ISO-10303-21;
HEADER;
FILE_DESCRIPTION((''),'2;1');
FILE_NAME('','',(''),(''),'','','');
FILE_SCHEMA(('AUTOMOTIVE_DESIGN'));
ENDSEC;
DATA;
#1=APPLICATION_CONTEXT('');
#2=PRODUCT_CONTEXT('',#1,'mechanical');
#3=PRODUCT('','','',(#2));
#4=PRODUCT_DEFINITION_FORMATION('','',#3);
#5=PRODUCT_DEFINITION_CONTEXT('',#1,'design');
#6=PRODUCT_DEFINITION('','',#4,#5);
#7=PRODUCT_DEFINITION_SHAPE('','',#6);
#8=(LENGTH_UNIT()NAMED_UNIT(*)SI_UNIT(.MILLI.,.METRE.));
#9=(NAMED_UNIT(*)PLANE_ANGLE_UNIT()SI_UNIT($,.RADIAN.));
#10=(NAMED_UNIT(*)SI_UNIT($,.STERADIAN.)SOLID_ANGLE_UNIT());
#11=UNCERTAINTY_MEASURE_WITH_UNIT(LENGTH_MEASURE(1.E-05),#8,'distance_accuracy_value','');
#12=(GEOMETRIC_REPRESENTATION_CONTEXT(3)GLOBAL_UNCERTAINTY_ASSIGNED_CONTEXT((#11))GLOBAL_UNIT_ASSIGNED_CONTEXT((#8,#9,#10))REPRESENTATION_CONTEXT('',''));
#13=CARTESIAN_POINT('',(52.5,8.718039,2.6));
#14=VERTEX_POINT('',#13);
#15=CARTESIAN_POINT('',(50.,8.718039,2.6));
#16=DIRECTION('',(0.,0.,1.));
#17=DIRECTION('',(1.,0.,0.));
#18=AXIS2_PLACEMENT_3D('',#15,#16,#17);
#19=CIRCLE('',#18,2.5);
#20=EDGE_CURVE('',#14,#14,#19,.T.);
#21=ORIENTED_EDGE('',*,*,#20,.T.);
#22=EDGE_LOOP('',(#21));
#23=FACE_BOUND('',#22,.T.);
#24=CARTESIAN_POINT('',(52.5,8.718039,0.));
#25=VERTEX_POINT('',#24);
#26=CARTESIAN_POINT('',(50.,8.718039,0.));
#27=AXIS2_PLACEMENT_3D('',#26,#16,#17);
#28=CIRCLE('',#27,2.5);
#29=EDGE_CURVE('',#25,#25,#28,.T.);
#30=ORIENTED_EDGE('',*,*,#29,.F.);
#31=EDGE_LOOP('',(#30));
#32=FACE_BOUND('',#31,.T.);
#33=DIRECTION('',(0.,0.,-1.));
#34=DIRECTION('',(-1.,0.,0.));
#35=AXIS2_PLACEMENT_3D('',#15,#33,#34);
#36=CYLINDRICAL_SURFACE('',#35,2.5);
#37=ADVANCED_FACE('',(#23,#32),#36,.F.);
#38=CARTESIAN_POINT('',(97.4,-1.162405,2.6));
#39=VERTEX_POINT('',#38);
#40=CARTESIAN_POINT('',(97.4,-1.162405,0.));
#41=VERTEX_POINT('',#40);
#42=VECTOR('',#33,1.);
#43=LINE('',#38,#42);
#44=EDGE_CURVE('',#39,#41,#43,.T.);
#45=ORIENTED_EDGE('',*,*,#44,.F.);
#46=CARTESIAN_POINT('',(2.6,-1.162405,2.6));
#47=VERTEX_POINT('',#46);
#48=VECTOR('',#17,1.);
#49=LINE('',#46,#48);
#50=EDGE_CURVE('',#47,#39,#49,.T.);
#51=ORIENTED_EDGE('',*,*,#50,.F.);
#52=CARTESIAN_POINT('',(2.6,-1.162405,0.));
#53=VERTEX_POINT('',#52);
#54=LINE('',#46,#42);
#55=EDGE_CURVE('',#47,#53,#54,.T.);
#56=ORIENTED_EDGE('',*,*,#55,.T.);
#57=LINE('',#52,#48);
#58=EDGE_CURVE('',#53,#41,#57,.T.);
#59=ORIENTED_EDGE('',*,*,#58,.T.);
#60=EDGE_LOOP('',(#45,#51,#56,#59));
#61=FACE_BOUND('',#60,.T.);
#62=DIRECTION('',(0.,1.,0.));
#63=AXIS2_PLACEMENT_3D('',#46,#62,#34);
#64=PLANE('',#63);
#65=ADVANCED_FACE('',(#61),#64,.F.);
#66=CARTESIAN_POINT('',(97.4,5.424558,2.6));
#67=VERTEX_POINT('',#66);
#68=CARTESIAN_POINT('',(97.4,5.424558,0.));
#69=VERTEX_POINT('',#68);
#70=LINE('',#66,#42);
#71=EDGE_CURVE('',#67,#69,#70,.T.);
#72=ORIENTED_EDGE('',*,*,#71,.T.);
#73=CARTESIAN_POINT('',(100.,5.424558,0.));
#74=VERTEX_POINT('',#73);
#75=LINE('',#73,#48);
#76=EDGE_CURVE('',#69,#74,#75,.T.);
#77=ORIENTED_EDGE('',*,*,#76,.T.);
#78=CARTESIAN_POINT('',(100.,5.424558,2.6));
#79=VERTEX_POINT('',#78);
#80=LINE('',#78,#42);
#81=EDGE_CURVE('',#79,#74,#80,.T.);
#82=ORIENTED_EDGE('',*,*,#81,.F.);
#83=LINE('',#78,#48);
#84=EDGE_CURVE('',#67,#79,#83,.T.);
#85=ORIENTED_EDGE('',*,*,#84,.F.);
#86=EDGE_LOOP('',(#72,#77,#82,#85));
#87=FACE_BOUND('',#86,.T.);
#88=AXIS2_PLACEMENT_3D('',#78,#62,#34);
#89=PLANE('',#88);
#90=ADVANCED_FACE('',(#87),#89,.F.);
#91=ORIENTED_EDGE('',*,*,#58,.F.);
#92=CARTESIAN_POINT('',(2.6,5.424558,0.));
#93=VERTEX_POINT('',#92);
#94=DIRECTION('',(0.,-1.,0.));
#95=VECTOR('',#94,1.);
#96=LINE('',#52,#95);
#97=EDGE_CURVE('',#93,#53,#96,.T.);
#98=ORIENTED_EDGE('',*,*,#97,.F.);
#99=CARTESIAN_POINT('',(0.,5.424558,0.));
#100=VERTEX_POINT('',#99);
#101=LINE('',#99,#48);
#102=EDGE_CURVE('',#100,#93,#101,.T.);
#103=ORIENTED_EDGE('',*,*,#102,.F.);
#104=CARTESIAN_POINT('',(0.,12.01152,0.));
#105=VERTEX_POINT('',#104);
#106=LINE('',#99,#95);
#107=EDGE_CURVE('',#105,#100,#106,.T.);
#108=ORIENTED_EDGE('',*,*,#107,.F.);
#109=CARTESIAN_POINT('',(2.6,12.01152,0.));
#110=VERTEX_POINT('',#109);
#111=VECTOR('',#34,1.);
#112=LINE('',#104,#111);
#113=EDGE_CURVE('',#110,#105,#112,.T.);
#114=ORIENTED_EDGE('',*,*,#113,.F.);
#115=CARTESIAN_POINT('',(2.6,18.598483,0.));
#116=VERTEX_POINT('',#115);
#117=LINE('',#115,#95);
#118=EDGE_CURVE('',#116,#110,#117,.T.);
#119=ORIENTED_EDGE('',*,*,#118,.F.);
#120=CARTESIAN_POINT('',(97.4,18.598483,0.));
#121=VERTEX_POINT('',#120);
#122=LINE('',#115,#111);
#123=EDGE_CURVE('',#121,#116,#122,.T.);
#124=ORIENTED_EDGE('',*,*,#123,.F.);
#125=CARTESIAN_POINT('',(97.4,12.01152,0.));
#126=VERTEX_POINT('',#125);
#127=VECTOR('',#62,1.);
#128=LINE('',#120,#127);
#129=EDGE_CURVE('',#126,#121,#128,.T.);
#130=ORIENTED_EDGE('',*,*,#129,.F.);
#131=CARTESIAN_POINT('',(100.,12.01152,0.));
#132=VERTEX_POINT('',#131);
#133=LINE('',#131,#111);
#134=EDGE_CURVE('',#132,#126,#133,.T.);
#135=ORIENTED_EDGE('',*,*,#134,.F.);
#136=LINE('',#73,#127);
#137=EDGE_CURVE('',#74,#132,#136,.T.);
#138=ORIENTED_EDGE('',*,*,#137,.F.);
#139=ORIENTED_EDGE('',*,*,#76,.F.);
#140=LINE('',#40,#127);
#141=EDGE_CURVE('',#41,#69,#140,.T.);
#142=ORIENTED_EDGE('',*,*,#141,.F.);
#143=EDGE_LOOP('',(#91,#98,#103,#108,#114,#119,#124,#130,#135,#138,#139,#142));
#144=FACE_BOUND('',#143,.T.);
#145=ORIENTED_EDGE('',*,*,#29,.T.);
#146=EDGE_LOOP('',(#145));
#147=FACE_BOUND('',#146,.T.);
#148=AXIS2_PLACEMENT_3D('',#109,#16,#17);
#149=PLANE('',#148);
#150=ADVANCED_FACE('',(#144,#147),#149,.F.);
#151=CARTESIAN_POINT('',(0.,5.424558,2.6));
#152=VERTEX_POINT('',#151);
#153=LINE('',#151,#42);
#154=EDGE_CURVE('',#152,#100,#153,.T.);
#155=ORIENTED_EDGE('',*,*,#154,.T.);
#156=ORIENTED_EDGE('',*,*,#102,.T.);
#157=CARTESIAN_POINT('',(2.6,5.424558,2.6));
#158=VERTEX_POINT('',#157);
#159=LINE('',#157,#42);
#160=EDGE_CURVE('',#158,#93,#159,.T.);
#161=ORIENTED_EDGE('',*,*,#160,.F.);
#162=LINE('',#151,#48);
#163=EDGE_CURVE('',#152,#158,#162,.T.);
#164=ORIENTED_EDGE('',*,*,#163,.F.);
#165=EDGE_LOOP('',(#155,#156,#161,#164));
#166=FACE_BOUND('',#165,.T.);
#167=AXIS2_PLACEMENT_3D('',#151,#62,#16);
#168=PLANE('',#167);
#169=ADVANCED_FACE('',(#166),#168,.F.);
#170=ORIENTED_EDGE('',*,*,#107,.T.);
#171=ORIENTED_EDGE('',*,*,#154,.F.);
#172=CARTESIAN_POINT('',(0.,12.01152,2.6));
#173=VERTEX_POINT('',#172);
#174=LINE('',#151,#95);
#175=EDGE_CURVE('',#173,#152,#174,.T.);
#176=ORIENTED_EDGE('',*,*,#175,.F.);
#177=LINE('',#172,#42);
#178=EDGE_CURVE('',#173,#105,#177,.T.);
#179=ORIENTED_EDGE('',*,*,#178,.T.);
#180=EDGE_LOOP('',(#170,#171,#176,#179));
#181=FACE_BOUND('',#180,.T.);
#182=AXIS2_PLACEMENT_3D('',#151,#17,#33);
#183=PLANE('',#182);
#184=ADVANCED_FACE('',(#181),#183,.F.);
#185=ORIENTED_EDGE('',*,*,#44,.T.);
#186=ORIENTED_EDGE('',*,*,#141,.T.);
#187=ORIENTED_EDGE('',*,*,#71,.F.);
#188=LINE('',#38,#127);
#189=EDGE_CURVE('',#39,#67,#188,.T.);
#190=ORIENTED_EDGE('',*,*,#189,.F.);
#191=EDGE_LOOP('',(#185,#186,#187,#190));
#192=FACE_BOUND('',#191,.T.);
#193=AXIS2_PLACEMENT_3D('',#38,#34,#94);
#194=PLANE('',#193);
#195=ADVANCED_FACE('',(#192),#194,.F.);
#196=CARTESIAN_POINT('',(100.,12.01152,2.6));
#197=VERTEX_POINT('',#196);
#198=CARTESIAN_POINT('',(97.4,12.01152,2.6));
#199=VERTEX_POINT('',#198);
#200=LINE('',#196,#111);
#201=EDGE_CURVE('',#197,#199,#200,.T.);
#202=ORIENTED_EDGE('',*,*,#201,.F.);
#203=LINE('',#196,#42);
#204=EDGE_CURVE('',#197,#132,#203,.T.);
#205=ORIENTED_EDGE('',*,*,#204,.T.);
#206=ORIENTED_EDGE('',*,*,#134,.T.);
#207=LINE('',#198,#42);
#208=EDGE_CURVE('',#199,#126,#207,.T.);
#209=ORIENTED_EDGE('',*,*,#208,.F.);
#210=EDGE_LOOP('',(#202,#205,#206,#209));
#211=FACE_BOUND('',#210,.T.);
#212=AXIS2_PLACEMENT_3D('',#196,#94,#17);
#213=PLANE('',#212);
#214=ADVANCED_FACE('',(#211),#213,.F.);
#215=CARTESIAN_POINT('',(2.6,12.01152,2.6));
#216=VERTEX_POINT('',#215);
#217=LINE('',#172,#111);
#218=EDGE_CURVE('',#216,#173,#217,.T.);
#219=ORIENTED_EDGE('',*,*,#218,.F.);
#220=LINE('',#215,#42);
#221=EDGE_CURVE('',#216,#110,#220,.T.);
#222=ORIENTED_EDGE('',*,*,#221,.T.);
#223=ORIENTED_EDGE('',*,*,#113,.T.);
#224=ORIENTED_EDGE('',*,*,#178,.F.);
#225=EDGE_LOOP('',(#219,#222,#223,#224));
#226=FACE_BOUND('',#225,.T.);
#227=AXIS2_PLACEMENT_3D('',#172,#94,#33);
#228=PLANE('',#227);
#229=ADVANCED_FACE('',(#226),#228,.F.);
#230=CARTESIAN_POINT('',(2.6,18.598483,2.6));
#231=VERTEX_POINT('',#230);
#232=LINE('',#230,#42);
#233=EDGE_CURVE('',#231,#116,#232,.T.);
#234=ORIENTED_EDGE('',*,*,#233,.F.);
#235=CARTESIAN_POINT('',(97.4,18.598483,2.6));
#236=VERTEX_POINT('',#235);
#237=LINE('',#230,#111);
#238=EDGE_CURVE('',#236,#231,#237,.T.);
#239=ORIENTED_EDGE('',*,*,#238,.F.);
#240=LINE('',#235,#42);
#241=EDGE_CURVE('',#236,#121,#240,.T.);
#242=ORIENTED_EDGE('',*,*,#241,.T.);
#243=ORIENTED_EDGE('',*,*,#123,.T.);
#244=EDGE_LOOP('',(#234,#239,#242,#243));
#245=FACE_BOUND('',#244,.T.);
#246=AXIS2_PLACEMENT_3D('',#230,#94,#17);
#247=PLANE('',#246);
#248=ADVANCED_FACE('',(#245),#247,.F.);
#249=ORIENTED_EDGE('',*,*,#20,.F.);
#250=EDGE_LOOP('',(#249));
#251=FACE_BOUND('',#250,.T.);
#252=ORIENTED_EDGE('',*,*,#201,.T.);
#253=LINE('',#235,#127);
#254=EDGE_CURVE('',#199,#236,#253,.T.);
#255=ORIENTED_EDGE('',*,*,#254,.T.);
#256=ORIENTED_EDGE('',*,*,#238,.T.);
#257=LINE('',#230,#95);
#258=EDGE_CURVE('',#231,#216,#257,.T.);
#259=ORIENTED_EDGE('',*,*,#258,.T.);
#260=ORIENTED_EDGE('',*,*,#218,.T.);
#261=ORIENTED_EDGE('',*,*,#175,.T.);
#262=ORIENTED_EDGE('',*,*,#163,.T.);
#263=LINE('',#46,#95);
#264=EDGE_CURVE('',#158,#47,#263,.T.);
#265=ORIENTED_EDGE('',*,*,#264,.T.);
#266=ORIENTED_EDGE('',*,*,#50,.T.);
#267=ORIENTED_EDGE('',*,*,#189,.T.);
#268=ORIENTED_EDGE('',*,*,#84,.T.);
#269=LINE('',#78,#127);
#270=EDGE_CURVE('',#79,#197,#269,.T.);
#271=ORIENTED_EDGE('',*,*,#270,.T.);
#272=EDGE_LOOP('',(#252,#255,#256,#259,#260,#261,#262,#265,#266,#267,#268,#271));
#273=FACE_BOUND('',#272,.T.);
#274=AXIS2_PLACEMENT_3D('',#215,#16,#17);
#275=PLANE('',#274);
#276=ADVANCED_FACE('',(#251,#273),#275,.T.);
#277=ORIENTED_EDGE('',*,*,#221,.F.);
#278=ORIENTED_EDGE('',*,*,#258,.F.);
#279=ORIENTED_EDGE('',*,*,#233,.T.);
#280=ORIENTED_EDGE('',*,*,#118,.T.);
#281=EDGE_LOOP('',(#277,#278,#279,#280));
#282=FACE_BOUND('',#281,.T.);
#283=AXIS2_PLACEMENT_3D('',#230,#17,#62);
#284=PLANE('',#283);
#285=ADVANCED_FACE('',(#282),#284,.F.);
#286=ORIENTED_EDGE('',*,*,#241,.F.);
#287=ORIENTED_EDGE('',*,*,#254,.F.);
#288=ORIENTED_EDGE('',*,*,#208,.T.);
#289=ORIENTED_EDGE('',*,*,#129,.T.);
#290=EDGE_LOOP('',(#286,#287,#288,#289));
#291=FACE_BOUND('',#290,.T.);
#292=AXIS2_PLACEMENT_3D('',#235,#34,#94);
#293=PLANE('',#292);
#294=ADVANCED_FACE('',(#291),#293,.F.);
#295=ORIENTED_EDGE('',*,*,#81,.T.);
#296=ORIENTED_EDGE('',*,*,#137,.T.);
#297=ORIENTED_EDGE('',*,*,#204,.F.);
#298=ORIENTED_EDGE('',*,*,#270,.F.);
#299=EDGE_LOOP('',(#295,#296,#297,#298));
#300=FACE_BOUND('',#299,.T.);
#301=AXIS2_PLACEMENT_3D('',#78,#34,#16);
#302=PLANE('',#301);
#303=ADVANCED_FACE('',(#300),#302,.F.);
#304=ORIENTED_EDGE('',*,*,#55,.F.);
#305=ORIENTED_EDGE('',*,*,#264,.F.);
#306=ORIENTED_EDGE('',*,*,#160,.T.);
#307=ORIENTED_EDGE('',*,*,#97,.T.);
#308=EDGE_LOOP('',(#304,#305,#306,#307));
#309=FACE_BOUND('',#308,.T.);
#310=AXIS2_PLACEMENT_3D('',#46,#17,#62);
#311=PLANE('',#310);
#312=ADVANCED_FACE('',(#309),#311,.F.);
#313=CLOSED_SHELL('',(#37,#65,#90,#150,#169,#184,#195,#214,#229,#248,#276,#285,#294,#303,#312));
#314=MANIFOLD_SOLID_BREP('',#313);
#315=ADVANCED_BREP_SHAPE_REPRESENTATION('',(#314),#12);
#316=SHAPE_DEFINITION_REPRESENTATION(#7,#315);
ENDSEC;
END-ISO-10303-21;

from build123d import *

# Parameters (mm, degrees)
SKETCH1_R           = 2.5
BOSS_EXTRUDE1_DEPTH = 2.6


with BuildPart() as part:
    # Sketch1 → Boss-Extrude1 (new body)
    with BuildSketch(Plane.XY):
        Polygon((2.6, -1.162405209), (97.4, -1.162405209), (97.4, 5.424557644), (100, 5.424557644), (100, 12.011520496), (97.4, 12.011520496), (97.4, 18.598483349), (2.6, 18.598483349), (2.6, 12.011520496), (0, 12.011520496), (0, 5.424557644), (2.6, 5.424557644), align=None)
        with Locations((50, 8.71803907)):
            Circle(SKETCH1_R, mode=Mode.SUBTRACT)
    extrude(amount=BOSS_EXTRUDE1_DEPTH)


solid = part.part
